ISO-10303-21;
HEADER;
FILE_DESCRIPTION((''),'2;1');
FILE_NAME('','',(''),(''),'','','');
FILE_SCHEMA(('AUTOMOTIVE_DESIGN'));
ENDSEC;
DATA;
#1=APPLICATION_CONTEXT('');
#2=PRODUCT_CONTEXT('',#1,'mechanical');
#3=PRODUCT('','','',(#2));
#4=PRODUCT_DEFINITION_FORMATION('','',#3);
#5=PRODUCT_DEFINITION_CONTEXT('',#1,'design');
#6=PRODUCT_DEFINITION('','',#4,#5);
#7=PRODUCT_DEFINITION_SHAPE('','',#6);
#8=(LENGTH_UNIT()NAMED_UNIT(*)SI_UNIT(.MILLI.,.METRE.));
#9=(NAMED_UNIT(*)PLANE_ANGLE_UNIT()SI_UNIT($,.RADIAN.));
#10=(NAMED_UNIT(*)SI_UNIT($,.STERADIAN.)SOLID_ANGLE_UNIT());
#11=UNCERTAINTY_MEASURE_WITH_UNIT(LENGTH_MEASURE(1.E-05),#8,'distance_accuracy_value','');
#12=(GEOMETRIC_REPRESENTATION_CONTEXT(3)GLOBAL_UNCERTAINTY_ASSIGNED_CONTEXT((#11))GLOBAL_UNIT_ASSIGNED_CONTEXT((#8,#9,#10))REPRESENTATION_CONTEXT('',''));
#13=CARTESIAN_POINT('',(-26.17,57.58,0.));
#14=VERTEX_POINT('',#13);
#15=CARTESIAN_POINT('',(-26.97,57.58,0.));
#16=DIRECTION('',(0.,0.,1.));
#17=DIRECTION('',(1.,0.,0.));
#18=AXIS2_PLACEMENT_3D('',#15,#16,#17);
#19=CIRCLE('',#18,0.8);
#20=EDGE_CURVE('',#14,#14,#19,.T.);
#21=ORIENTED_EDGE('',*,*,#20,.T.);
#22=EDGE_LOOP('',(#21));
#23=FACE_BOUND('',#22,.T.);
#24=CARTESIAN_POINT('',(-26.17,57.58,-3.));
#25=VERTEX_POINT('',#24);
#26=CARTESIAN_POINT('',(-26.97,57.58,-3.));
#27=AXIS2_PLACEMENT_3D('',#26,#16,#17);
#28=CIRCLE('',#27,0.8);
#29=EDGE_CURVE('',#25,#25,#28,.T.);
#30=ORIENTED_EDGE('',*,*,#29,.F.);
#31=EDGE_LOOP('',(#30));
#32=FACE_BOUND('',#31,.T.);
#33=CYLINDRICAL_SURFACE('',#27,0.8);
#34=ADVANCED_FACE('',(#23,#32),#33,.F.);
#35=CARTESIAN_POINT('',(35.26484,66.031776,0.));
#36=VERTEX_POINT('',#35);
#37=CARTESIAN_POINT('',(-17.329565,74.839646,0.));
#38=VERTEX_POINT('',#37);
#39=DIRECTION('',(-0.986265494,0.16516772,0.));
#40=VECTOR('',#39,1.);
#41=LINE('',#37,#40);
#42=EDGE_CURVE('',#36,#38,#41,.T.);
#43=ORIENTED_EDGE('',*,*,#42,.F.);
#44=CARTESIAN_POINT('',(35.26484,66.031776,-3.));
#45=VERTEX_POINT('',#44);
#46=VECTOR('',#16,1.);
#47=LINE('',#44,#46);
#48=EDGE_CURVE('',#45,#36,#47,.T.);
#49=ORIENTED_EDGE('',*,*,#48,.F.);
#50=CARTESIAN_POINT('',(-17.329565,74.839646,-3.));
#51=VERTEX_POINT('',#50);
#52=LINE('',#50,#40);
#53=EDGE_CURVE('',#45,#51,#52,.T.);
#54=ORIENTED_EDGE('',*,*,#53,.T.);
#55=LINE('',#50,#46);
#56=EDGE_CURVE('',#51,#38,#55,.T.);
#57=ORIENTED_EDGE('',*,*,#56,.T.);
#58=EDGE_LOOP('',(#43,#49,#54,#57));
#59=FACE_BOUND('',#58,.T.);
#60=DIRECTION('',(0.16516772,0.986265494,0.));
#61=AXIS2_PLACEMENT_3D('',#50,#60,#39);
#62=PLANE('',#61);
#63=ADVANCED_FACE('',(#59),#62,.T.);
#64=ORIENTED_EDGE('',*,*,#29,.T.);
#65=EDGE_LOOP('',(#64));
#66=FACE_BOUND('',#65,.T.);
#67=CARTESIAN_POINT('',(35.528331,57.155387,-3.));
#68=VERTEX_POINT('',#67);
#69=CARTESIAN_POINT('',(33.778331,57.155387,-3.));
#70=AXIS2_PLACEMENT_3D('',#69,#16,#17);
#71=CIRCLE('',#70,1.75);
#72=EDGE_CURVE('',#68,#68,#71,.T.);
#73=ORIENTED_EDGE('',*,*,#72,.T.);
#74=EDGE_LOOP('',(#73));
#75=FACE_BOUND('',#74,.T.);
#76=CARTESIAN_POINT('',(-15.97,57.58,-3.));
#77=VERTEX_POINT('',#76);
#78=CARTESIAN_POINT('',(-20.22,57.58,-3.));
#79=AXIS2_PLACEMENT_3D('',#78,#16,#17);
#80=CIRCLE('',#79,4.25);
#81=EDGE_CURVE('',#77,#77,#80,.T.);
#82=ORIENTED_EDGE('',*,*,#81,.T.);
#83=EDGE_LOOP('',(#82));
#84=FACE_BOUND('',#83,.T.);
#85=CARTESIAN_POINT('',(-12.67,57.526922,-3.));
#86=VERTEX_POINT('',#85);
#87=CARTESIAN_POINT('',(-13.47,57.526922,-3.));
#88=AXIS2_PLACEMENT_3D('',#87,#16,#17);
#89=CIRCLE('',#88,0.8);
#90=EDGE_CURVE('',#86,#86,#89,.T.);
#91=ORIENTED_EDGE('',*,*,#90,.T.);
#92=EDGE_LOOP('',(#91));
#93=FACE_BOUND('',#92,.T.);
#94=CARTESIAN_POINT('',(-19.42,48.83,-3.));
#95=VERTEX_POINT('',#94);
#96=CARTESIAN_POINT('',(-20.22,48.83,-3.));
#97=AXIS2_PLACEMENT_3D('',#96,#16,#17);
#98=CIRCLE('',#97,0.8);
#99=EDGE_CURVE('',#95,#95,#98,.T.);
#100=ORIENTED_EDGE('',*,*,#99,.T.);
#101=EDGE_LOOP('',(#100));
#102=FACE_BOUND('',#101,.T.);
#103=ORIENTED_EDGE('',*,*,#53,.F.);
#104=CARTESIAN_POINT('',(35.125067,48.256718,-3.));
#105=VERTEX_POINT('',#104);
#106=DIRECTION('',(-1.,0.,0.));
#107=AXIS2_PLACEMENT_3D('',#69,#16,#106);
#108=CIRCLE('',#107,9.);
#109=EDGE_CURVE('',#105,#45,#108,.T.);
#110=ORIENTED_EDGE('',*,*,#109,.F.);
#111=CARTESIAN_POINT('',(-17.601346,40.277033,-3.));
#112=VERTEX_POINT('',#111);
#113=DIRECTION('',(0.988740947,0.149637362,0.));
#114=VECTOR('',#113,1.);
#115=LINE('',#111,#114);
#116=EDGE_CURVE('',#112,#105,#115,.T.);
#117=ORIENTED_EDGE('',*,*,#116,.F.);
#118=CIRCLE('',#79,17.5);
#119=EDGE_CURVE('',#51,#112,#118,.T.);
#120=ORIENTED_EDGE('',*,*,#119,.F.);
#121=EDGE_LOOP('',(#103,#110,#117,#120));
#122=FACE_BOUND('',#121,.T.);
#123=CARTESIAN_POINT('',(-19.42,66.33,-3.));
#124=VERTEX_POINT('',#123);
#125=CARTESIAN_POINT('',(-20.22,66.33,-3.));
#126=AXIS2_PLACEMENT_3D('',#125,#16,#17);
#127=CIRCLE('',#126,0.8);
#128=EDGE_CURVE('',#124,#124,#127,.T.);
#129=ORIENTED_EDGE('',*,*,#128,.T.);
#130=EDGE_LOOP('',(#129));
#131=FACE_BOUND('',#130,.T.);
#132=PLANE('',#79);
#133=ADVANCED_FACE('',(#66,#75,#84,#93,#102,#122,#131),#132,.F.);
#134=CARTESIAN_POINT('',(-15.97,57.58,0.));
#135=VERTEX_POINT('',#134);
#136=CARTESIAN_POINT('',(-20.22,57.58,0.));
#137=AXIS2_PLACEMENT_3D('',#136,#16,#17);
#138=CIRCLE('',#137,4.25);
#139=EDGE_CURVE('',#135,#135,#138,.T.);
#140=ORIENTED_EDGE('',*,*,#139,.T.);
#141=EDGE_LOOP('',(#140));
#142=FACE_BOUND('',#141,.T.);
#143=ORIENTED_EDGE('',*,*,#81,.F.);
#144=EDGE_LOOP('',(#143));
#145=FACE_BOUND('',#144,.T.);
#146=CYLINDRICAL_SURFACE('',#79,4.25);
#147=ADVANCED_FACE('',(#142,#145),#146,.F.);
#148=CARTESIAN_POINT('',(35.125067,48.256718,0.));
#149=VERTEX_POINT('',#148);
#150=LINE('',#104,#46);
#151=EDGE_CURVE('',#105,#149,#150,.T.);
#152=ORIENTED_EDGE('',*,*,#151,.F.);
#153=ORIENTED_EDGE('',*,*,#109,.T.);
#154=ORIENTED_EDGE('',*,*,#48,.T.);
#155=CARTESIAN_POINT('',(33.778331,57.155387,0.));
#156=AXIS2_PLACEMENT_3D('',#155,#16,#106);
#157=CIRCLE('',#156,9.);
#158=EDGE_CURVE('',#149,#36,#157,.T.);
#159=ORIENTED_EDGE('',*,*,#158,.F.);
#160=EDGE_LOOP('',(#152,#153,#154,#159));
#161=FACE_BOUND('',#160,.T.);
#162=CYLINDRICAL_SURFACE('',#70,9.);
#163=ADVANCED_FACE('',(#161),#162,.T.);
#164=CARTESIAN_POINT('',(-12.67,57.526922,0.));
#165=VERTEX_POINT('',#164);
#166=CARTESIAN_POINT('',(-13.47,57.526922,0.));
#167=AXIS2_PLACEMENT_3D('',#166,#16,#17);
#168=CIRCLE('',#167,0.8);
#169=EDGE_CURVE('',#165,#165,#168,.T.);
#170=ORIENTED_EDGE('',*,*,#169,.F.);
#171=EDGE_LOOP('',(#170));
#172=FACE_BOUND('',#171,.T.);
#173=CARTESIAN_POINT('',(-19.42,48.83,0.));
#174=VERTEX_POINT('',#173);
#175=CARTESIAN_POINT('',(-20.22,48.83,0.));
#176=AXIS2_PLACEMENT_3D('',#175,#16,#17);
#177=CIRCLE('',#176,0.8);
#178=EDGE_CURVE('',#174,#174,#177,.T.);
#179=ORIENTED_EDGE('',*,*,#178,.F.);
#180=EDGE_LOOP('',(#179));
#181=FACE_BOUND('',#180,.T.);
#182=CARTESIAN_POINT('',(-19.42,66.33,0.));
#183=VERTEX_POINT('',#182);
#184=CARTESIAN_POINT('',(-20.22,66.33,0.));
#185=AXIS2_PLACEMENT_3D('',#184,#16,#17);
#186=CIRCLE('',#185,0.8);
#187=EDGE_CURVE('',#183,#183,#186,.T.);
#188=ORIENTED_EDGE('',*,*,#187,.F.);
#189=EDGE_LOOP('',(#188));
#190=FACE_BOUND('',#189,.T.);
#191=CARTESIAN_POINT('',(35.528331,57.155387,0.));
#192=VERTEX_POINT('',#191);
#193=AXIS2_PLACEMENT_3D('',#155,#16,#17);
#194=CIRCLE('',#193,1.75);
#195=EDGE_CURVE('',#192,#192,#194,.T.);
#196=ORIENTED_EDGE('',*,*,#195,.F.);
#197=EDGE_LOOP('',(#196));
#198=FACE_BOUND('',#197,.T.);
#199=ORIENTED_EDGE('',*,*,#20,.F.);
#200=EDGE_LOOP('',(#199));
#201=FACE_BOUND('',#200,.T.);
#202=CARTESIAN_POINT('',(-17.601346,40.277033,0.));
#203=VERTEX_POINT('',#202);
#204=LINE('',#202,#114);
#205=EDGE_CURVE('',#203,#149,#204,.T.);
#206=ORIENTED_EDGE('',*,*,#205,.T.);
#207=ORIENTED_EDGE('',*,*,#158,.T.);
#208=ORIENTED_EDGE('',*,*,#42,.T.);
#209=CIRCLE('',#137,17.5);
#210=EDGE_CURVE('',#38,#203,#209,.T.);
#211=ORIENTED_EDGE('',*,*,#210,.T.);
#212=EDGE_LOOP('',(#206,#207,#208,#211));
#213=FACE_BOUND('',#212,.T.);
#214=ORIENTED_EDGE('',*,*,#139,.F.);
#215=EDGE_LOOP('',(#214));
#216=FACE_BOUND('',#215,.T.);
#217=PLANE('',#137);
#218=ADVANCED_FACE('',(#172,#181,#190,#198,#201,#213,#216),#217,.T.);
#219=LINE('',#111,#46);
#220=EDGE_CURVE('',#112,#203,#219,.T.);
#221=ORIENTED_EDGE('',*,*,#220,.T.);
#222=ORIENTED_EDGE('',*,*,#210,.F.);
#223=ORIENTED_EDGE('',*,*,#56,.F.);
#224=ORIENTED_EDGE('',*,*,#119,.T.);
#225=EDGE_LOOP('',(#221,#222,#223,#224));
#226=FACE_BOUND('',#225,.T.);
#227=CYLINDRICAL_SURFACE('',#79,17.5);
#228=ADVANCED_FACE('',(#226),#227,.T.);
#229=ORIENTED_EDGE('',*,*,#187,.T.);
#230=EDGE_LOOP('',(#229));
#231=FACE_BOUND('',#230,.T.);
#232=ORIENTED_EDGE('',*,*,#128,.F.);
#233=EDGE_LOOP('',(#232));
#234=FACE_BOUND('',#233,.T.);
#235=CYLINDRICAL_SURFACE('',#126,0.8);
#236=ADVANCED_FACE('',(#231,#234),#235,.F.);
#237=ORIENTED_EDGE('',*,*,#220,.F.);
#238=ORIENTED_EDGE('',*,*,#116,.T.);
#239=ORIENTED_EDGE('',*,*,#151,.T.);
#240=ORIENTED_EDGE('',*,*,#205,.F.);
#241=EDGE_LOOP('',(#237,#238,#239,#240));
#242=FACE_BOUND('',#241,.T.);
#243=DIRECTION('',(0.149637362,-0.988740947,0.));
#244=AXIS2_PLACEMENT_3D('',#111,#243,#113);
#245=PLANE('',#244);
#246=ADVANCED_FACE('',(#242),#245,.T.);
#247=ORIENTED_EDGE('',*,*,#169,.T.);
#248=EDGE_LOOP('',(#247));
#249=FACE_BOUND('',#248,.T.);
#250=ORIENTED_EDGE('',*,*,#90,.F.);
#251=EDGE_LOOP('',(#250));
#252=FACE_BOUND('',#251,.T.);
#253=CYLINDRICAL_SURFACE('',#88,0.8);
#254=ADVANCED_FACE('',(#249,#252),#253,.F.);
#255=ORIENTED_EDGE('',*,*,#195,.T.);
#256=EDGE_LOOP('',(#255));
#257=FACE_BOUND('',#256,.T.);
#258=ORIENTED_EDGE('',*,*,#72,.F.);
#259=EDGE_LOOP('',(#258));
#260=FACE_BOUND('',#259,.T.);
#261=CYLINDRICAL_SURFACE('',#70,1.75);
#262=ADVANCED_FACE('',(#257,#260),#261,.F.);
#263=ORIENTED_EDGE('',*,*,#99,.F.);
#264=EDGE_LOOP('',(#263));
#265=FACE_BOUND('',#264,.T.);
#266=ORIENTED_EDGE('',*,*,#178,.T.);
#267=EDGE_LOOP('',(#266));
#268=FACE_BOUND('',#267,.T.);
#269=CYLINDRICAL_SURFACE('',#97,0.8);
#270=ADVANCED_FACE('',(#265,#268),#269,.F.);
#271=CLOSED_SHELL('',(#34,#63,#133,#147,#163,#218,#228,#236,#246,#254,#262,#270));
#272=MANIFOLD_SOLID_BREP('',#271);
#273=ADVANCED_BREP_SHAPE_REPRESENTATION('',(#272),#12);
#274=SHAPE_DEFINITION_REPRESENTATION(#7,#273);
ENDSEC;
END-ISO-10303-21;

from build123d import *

# Parameters (mm, degrees)
SKETCH1_R           = 1.75
SKETCH1_R_2         = 4.25
SKETCH1_R_3         = 0.8
BOSS_EXTRUDE2_DEPTH = 3


with BuildPart() as part:
    # Sketch1 → Boss-Extrude2 (new body)
    with BuildSketch(Plane.XY):
        with BuildLine():
            Line((-17.329564893, 74.83964614), (35.264840048, 66.03177643))
            ThreePointArc((35.264840048, 66.03177643), (42.778052326, 57.084618151), (35.125066821, 48.256718465))
            Line((35.125066821, 48.256718465), (-17.601346169, 40.27703343))
            ThreePointArc((-17.601346169, 40.27703343), (-37.719458979, 57.717606069), (-17.329564893, 74.83964614))
        make_face()
        with Locations((33.778330565, 57.155386987)):
            Circle(SKETCH1_R, mode=Mode.SUBTRACT)
        with Locations((-20.22, 57.58)):
            Circle(SKETCH1_R_2, mode=Mode.SUBTRACT)
        with Locations((-13.47, 57.526921732)):
            Circle(SKETCH1_R_3, mode=Mode.SUBTRACT)
        with Locations((-26.97, 57.58)):
            Circle(SKETCH1_R_3, mode=Mode.SUBTRACT)
        with Locations((-20.22, 66.33)):
            Circle(SKETCH1_R_3, mode=Mode.SUBTRACT)
        with Locations((-20.22, 48.83)):
            Circle(SKETCH1_R_3, mode=Mode.SUBTRACT)
    extrude(amount=-BOSS_EXTRUDE2_DEPTH)


solid = part.part
